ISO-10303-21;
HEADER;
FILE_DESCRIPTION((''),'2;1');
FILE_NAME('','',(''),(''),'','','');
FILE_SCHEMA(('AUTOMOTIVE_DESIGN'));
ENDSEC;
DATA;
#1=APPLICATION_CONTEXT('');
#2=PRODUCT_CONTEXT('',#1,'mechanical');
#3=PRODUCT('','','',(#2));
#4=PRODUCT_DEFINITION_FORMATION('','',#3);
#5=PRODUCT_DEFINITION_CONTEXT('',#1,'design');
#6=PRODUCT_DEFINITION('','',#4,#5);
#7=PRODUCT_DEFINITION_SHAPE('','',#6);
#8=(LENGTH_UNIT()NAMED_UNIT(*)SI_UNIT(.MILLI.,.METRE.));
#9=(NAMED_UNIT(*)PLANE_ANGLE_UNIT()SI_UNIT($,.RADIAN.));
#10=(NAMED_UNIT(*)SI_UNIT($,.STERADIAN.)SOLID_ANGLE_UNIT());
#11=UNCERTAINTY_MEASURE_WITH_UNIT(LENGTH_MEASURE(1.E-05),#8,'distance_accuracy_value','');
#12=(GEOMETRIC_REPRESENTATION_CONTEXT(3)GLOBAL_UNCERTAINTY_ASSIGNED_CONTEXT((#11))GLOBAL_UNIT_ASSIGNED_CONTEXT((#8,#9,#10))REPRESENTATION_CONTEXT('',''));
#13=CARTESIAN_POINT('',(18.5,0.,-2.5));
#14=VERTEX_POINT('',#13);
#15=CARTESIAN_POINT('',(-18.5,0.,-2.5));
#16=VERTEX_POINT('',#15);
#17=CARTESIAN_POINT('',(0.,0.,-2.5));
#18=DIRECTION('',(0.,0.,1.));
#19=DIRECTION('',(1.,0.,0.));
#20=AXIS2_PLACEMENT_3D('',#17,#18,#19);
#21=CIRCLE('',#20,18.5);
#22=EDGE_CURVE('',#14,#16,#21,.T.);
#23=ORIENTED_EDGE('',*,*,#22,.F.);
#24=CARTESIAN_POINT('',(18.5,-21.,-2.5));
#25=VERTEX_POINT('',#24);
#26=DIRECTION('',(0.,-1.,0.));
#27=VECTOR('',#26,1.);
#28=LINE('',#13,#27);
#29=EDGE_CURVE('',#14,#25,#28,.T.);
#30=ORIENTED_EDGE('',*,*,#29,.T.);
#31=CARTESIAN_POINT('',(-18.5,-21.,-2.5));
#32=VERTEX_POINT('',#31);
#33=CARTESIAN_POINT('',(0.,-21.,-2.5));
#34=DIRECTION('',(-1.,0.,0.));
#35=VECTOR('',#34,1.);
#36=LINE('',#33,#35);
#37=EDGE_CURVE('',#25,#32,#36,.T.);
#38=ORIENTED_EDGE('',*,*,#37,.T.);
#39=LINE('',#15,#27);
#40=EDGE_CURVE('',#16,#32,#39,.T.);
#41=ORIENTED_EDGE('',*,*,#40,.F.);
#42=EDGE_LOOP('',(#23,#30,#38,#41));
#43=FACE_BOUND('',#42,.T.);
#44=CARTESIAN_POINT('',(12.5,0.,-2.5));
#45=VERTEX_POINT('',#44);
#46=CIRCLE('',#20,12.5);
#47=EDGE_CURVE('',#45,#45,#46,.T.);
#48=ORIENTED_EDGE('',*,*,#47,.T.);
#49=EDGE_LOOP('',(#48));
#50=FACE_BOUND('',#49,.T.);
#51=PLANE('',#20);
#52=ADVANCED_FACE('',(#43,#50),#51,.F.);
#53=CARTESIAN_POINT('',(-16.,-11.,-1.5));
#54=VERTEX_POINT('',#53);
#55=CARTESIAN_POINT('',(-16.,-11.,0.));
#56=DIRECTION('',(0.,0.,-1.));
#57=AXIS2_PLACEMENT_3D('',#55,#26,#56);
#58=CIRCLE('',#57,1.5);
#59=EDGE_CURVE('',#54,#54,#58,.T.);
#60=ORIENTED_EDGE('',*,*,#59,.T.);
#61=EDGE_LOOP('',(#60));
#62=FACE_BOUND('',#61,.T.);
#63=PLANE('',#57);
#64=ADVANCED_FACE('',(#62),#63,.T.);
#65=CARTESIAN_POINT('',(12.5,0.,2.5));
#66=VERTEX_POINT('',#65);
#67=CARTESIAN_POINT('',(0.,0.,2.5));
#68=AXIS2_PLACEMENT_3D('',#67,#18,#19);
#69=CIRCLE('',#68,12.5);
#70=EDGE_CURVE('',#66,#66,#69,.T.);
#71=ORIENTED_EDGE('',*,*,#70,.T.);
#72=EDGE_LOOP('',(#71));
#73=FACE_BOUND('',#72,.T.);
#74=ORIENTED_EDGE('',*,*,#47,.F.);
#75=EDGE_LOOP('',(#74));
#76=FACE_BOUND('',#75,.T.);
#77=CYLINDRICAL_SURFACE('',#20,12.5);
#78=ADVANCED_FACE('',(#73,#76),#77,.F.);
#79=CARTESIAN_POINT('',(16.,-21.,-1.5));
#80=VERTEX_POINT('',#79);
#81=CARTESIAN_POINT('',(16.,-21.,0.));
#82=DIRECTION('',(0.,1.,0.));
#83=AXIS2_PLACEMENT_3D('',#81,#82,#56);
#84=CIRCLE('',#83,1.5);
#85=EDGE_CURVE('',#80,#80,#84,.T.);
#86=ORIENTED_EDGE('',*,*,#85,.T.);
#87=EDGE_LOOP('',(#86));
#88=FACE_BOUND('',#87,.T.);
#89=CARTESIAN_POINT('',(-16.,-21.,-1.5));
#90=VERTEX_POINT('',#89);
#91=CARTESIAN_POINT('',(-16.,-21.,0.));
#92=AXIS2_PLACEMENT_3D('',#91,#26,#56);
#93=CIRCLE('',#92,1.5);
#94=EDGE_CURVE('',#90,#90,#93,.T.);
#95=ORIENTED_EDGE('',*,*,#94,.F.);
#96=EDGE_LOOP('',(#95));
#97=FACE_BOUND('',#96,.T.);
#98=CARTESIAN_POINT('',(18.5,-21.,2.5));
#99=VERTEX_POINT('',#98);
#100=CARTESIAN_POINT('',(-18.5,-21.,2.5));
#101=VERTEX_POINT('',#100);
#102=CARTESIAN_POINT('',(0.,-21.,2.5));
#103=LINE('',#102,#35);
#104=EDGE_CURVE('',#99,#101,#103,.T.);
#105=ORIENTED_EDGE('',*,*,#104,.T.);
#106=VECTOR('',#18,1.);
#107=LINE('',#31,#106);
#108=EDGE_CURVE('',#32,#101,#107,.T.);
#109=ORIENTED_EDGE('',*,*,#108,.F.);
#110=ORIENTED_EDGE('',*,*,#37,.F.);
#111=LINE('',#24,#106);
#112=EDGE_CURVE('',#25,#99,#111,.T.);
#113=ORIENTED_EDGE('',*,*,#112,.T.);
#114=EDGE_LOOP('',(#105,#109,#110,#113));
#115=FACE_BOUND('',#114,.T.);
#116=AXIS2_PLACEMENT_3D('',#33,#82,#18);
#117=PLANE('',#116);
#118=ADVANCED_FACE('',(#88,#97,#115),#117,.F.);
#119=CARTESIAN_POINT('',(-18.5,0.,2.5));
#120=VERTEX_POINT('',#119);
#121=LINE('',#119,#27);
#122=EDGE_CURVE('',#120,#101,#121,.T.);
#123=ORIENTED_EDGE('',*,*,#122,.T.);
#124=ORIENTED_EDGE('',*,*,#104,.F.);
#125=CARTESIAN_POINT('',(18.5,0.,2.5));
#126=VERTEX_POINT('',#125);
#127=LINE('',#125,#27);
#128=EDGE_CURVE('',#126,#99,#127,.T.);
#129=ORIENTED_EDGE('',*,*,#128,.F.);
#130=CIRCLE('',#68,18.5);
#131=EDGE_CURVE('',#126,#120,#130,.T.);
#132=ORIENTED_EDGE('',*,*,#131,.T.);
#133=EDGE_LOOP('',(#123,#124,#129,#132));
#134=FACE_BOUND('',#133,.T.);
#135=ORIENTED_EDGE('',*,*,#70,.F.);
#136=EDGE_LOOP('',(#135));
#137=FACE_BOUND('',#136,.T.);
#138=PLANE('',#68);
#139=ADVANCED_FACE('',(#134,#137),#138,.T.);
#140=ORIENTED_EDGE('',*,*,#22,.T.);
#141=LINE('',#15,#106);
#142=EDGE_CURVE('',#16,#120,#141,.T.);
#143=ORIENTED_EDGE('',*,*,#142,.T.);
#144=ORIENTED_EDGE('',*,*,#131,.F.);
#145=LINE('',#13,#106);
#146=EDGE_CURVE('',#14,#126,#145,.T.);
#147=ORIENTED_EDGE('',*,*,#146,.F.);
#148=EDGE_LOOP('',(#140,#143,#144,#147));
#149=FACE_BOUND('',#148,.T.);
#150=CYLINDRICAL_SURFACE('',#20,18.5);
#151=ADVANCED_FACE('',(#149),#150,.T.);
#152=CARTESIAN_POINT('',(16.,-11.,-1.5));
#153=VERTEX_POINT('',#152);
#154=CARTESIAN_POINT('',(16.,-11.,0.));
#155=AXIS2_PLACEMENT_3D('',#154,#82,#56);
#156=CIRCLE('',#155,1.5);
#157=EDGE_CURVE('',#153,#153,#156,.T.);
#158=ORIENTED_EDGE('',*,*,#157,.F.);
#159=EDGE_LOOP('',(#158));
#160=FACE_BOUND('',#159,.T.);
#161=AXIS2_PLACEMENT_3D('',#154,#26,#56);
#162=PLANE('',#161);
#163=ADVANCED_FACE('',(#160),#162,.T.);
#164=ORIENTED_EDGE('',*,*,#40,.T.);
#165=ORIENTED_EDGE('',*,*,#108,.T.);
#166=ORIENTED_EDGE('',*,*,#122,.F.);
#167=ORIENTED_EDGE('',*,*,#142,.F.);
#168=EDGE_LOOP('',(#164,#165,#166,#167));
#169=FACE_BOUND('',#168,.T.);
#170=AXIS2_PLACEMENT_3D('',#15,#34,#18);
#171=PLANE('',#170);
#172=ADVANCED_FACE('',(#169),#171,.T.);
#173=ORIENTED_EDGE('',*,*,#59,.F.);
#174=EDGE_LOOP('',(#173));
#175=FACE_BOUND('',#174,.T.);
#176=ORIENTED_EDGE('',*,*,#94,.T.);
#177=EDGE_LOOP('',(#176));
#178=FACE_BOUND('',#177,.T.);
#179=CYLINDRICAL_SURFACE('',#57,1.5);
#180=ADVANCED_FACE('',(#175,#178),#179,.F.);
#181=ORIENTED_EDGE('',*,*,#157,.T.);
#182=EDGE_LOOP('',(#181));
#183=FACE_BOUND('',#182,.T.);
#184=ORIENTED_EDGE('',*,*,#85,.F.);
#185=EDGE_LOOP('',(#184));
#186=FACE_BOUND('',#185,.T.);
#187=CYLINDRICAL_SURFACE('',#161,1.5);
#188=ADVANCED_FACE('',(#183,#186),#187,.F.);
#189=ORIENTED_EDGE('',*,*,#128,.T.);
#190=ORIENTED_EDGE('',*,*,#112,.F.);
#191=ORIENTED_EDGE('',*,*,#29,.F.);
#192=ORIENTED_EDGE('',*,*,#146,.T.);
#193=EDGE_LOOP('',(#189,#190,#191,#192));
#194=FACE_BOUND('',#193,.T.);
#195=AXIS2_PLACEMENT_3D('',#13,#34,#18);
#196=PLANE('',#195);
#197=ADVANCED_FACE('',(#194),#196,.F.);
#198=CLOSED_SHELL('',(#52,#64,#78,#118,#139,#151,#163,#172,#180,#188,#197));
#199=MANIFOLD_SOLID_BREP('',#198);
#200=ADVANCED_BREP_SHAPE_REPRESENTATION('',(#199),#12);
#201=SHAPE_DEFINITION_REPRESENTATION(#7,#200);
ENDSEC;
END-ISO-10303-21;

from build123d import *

# Parameters (mm, degrees)
BOSS_EXTRUDE1_DEPTH      = 2.5
BOSS_EXTRUDE1_DEPTH_BACK = 2.5
SKETCH1_R                = 12.5
SKETCH2_R                = 1.5
CUT_EXTRUDE1_DEPTH       = 10


with BuildPart() as part:
    # Sketch1 → Boss-Extrude1 (new, two sides: drawn at the far end of the back side and taken through both)
    with BuildSketch(Plane.XY.offset(-BOSS_EXTRUDE1_DEPTH_BACK)):
        with BuildLine():
            Line((18.5, -21), (18.5, 0))
            ThreePointArc((18.5, 0), (0, 18.5), (-18.5, 0))
            Line((-18.5, 0), (-18.5, -21))
            Line((-18.5, -21), (18.5, -21))
        make_face()
        Circle(SKETCH1_R, mode=Mode.SUBTRACT)
    extrude(amount=BOSS_EXTRUDE1_DEPTH + BOSS_EXTRUDE1_DEPTH_BACK)

    # Sketch2 → Cut-Extrude1 (cut)
    with BuildSketch(Plane.XZ.offset(21)):
        with Locations((-16, 0)):
            Circle(SKETCH2_R)
    cut_extrude1 = extrude(amount=-CUT_EXTRUDE1_DEPTH, mode=Mode.SUBTRACT)

    # Mirror1: Cut-Extrude1 across plane
    add(cut_extrude1.mirror(Plane(origin=(0, 0, 0), x_dir=(0, 0, 1), z_dir=(1, 0, 0))), mode=Mode.SUBTRACT)


solid = part.part
